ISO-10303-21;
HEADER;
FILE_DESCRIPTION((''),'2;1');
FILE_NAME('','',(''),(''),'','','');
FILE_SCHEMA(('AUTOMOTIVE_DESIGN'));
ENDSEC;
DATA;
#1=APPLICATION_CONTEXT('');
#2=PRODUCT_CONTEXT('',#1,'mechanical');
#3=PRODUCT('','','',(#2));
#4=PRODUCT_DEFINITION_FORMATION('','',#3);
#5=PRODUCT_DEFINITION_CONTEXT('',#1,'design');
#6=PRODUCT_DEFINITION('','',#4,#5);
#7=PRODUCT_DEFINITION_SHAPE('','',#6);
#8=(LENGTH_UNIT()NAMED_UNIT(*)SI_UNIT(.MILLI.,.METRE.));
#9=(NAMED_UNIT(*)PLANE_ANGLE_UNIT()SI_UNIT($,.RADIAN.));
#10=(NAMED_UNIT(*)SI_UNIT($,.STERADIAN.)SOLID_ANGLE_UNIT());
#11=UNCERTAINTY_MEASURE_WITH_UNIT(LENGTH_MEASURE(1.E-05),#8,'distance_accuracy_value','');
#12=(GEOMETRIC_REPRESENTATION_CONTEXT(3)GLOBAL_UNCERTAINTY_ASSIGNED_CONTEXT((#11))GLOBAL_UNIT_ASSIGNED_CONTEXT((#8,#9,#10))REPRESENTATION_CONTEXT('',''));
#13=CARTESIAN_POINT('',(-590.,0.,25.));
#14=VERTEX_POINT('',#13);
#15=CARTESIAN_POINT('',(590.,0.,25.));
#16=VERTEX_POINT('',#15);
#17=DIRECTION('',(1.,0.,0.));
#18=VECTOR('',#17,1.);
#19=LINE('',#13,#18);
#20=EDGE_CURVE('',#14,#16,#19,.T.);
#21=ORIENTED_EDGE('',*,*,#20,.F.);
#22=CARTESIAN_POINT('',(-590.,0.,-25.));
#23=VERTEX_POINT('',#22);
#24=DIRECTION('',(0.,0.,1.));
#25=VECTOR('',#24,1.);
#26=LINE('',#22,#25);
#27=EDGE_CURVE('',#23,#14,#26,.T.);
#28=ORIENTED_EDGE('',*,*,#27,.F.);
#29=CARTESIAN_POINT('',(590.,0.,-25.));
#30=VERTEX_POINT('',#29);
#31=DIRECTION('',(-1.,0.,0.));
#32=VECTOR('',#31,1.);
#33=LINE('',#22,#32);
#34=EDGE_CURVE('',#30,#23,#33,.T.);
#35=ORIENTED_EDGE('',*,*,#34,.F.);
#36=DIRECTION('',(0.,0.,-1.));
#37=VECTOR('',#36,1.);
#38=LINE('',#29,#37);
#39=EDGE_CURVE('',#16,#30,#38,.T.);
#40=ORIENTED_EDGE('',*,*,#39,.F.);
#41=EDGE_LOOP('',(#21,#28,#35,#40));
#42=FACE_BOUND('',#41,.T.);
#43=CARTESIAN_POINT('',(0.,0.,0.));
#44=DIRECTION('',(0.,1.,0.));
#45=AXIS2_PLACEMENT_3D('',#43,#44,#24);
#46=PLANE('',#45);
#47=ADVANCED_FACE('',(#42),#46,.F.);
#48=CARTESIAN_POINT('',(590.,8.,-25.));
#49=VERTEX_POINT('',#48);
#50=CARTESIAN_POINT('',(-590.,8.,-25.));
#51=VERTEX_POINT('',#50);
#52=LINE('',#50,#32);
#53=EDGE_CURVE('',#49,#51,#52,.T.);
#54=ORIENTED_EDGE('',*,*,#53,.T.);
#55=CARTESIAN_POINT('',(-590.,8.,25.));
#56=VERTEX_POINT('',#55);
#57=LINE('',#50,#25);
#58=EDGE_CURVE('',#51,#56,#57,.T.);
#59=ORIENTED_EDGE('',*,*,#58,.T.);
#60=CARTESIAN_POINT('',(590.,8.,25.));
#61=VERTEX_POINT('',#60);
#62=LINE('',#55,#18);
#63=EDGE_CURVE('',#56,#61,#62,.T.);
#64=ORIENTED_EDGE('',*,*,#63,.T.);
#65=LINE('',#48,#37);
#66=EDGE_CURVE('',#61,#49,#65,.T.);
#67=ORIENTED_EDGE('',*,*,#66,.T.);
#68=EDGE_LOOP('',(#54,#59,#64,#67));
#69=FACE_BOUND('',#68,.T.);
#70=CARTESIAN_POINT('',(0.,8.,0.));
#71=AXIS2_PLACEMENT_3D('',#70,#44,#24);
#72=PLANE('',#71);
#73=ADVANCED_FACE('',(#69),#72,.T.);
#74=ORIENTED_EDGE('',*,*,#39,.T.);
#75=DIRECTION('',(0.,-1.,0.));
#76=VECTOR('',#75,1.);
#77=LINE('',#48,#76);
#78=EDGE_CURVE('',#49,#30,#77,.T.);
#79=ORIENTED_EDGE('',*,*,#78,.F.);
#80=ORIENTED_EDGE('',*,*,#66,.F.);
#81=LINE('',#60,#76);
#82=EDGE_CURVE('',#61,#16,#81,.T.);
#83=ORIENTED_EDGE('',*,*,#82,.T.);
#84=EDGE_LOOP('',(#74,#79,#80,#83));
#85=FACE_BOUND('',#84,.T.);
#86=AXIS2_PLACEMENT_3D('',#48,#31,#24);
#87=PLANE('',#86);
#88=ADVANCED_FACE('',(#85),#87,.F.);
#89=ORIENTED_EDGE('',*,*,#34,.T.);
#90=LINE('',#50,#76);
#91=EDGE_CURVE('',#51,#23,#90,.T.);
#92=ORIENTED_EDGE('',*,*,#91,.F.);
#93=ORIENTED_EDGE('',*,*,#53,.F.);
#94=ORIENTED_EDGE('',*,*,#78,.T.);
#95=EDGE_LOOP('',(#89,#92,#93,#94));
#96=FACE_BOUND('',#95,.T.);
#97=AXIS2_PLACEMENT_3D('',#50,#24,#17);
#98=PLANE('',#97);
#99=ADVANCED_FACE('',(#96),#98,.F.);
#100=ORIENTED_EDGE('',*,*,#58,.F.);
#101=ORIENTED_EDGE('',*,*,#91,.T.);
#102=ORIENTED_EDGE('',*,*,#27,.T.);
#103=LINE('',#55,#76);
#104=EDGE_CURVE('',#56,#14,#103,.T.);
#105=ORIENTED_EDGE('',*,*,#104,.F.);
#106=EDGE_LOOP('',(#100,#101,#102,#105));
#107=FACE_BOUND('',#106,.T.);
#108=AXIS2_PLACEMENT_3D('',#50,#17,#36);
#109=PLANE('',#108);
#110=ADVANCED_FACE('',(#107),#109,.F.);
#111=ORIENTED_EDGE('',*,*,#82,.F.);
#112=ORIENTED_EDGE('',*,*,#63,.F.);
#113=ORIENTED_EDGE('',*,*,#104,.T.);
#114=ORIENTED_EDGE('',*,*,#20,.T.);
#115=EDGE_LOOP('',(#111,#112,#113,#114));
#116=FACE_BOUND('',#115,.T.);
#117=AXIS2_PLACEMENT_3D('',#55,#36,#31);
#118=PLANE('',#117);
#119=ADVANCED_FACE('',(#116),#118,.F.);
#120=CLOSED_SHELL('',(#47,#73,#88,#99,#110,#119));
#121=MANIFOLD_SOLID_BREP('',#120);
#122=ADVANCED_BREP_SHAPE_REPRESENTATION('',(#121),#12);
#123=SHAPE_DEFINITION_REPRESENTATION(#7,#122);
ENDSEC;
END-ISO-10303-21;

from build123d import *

# Parameters (mm, degrees)
SKETCH_1_W      = 1180
SKETCH_1_H      = 50
EXTRUDE_1_DEPTH = 8


with BuildPart() as part:
    # Эскиз1 → Бобышка-Вытянуть1 (new body)
    with BuildSketch(Plane(origin=(0, 0, 0), x_dir=(1, 0, 0), z_dir=(0, 1, 0))):
        Rectangle(SKETCH_1_W, SKETCH_1_H)
    extrude(amount=EXTRUDE_1_DEPTH)


solid = part.part
